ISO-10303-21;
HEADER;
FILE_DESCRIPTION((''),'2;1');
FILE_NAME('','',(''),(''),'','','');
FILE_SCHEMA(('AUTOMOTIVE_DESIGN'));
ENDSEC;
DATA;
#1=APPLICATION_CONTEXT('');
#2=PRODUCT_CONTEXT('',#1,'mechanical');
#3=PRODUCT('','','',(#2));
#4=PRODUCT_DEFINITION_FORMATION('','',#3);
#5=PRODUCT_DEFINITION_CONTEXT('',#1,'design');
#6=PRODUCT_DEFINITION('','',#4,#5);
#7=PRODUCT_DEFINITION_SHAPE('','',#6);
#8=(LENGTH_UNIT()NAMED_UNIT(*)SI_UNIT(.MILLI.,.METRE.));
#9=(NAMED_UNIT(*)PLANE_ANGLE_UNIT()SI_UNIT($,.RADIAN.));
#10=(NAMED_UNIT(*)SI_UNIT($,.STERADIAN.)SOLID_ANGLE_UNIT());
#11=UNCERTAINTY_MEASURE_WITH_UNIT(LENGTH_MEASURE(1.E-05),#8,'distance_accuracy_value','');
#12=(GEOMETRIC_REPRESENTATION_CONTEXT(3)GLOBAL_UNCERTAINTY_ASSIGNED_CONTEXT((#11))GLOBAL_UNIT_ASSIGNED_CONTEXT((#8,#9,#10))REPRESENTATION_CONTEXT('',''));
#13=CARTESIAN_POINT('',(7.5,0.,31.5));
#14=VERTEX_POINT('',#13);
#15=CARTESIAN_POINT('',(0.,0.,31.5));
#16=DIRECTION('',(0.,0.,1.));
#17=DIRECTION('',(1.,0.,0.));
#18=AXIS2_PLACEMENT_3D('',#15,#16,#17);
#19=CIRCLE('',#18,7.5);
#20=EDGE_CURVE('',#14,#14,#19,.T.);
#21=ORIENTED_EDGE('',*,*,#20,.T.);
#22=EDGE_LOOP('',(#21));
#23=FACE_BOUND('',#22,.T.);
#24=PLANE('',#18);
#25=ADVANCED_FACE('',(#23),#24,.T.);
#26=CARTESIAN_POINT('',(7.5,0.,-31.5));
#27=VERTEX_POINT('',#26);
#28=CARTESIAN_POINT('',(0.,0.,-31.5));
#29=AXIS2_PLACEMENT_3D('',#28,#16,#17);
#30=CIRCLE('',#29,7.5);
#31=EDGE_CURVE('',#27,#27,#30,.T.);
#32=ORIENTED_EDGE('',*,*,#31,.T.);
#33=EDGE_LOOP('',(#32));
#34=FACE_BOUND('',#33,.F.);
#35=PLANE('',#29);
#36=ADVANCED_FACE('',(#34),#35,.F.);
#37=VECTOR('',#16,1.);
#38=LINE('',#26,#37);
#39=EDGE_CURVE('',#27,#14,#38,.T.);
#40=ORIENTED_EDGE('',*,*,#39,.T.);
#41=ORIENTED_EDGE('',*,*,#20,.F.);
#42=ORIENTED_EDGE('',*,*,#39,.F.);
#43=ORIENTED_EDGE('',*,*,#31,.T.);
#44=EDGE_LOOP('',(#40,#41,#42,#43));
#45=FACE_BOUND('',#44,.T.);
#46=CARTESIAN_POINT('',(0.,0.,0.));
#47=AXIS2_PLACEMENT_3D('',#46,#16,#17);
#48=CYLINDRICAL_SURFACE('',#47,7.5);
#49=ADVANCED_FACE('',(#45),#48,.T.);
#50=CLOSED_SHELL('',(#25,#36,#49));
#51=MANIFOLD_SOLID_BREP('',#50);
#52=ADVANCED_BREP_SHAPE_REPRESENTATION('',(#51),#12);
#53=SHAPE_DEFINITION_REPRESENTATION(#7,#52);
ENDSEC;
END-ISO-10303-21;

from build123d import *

# Parameters (mm, degrees)
SKETCH1_R           = 7.5
BOSS_EXTRUDE1_DEPTH = 31.5


with BuildPart() as part:
    # Sketch1 → Boss-Extrude1 (new body, symmetric)
    with BuildSketch(Plane.XY):
        Circle(SKETCH1_R)
    extrude(amount=BOSS_EXTRUDE1_DEPTH, both=True)


solid = part.part
